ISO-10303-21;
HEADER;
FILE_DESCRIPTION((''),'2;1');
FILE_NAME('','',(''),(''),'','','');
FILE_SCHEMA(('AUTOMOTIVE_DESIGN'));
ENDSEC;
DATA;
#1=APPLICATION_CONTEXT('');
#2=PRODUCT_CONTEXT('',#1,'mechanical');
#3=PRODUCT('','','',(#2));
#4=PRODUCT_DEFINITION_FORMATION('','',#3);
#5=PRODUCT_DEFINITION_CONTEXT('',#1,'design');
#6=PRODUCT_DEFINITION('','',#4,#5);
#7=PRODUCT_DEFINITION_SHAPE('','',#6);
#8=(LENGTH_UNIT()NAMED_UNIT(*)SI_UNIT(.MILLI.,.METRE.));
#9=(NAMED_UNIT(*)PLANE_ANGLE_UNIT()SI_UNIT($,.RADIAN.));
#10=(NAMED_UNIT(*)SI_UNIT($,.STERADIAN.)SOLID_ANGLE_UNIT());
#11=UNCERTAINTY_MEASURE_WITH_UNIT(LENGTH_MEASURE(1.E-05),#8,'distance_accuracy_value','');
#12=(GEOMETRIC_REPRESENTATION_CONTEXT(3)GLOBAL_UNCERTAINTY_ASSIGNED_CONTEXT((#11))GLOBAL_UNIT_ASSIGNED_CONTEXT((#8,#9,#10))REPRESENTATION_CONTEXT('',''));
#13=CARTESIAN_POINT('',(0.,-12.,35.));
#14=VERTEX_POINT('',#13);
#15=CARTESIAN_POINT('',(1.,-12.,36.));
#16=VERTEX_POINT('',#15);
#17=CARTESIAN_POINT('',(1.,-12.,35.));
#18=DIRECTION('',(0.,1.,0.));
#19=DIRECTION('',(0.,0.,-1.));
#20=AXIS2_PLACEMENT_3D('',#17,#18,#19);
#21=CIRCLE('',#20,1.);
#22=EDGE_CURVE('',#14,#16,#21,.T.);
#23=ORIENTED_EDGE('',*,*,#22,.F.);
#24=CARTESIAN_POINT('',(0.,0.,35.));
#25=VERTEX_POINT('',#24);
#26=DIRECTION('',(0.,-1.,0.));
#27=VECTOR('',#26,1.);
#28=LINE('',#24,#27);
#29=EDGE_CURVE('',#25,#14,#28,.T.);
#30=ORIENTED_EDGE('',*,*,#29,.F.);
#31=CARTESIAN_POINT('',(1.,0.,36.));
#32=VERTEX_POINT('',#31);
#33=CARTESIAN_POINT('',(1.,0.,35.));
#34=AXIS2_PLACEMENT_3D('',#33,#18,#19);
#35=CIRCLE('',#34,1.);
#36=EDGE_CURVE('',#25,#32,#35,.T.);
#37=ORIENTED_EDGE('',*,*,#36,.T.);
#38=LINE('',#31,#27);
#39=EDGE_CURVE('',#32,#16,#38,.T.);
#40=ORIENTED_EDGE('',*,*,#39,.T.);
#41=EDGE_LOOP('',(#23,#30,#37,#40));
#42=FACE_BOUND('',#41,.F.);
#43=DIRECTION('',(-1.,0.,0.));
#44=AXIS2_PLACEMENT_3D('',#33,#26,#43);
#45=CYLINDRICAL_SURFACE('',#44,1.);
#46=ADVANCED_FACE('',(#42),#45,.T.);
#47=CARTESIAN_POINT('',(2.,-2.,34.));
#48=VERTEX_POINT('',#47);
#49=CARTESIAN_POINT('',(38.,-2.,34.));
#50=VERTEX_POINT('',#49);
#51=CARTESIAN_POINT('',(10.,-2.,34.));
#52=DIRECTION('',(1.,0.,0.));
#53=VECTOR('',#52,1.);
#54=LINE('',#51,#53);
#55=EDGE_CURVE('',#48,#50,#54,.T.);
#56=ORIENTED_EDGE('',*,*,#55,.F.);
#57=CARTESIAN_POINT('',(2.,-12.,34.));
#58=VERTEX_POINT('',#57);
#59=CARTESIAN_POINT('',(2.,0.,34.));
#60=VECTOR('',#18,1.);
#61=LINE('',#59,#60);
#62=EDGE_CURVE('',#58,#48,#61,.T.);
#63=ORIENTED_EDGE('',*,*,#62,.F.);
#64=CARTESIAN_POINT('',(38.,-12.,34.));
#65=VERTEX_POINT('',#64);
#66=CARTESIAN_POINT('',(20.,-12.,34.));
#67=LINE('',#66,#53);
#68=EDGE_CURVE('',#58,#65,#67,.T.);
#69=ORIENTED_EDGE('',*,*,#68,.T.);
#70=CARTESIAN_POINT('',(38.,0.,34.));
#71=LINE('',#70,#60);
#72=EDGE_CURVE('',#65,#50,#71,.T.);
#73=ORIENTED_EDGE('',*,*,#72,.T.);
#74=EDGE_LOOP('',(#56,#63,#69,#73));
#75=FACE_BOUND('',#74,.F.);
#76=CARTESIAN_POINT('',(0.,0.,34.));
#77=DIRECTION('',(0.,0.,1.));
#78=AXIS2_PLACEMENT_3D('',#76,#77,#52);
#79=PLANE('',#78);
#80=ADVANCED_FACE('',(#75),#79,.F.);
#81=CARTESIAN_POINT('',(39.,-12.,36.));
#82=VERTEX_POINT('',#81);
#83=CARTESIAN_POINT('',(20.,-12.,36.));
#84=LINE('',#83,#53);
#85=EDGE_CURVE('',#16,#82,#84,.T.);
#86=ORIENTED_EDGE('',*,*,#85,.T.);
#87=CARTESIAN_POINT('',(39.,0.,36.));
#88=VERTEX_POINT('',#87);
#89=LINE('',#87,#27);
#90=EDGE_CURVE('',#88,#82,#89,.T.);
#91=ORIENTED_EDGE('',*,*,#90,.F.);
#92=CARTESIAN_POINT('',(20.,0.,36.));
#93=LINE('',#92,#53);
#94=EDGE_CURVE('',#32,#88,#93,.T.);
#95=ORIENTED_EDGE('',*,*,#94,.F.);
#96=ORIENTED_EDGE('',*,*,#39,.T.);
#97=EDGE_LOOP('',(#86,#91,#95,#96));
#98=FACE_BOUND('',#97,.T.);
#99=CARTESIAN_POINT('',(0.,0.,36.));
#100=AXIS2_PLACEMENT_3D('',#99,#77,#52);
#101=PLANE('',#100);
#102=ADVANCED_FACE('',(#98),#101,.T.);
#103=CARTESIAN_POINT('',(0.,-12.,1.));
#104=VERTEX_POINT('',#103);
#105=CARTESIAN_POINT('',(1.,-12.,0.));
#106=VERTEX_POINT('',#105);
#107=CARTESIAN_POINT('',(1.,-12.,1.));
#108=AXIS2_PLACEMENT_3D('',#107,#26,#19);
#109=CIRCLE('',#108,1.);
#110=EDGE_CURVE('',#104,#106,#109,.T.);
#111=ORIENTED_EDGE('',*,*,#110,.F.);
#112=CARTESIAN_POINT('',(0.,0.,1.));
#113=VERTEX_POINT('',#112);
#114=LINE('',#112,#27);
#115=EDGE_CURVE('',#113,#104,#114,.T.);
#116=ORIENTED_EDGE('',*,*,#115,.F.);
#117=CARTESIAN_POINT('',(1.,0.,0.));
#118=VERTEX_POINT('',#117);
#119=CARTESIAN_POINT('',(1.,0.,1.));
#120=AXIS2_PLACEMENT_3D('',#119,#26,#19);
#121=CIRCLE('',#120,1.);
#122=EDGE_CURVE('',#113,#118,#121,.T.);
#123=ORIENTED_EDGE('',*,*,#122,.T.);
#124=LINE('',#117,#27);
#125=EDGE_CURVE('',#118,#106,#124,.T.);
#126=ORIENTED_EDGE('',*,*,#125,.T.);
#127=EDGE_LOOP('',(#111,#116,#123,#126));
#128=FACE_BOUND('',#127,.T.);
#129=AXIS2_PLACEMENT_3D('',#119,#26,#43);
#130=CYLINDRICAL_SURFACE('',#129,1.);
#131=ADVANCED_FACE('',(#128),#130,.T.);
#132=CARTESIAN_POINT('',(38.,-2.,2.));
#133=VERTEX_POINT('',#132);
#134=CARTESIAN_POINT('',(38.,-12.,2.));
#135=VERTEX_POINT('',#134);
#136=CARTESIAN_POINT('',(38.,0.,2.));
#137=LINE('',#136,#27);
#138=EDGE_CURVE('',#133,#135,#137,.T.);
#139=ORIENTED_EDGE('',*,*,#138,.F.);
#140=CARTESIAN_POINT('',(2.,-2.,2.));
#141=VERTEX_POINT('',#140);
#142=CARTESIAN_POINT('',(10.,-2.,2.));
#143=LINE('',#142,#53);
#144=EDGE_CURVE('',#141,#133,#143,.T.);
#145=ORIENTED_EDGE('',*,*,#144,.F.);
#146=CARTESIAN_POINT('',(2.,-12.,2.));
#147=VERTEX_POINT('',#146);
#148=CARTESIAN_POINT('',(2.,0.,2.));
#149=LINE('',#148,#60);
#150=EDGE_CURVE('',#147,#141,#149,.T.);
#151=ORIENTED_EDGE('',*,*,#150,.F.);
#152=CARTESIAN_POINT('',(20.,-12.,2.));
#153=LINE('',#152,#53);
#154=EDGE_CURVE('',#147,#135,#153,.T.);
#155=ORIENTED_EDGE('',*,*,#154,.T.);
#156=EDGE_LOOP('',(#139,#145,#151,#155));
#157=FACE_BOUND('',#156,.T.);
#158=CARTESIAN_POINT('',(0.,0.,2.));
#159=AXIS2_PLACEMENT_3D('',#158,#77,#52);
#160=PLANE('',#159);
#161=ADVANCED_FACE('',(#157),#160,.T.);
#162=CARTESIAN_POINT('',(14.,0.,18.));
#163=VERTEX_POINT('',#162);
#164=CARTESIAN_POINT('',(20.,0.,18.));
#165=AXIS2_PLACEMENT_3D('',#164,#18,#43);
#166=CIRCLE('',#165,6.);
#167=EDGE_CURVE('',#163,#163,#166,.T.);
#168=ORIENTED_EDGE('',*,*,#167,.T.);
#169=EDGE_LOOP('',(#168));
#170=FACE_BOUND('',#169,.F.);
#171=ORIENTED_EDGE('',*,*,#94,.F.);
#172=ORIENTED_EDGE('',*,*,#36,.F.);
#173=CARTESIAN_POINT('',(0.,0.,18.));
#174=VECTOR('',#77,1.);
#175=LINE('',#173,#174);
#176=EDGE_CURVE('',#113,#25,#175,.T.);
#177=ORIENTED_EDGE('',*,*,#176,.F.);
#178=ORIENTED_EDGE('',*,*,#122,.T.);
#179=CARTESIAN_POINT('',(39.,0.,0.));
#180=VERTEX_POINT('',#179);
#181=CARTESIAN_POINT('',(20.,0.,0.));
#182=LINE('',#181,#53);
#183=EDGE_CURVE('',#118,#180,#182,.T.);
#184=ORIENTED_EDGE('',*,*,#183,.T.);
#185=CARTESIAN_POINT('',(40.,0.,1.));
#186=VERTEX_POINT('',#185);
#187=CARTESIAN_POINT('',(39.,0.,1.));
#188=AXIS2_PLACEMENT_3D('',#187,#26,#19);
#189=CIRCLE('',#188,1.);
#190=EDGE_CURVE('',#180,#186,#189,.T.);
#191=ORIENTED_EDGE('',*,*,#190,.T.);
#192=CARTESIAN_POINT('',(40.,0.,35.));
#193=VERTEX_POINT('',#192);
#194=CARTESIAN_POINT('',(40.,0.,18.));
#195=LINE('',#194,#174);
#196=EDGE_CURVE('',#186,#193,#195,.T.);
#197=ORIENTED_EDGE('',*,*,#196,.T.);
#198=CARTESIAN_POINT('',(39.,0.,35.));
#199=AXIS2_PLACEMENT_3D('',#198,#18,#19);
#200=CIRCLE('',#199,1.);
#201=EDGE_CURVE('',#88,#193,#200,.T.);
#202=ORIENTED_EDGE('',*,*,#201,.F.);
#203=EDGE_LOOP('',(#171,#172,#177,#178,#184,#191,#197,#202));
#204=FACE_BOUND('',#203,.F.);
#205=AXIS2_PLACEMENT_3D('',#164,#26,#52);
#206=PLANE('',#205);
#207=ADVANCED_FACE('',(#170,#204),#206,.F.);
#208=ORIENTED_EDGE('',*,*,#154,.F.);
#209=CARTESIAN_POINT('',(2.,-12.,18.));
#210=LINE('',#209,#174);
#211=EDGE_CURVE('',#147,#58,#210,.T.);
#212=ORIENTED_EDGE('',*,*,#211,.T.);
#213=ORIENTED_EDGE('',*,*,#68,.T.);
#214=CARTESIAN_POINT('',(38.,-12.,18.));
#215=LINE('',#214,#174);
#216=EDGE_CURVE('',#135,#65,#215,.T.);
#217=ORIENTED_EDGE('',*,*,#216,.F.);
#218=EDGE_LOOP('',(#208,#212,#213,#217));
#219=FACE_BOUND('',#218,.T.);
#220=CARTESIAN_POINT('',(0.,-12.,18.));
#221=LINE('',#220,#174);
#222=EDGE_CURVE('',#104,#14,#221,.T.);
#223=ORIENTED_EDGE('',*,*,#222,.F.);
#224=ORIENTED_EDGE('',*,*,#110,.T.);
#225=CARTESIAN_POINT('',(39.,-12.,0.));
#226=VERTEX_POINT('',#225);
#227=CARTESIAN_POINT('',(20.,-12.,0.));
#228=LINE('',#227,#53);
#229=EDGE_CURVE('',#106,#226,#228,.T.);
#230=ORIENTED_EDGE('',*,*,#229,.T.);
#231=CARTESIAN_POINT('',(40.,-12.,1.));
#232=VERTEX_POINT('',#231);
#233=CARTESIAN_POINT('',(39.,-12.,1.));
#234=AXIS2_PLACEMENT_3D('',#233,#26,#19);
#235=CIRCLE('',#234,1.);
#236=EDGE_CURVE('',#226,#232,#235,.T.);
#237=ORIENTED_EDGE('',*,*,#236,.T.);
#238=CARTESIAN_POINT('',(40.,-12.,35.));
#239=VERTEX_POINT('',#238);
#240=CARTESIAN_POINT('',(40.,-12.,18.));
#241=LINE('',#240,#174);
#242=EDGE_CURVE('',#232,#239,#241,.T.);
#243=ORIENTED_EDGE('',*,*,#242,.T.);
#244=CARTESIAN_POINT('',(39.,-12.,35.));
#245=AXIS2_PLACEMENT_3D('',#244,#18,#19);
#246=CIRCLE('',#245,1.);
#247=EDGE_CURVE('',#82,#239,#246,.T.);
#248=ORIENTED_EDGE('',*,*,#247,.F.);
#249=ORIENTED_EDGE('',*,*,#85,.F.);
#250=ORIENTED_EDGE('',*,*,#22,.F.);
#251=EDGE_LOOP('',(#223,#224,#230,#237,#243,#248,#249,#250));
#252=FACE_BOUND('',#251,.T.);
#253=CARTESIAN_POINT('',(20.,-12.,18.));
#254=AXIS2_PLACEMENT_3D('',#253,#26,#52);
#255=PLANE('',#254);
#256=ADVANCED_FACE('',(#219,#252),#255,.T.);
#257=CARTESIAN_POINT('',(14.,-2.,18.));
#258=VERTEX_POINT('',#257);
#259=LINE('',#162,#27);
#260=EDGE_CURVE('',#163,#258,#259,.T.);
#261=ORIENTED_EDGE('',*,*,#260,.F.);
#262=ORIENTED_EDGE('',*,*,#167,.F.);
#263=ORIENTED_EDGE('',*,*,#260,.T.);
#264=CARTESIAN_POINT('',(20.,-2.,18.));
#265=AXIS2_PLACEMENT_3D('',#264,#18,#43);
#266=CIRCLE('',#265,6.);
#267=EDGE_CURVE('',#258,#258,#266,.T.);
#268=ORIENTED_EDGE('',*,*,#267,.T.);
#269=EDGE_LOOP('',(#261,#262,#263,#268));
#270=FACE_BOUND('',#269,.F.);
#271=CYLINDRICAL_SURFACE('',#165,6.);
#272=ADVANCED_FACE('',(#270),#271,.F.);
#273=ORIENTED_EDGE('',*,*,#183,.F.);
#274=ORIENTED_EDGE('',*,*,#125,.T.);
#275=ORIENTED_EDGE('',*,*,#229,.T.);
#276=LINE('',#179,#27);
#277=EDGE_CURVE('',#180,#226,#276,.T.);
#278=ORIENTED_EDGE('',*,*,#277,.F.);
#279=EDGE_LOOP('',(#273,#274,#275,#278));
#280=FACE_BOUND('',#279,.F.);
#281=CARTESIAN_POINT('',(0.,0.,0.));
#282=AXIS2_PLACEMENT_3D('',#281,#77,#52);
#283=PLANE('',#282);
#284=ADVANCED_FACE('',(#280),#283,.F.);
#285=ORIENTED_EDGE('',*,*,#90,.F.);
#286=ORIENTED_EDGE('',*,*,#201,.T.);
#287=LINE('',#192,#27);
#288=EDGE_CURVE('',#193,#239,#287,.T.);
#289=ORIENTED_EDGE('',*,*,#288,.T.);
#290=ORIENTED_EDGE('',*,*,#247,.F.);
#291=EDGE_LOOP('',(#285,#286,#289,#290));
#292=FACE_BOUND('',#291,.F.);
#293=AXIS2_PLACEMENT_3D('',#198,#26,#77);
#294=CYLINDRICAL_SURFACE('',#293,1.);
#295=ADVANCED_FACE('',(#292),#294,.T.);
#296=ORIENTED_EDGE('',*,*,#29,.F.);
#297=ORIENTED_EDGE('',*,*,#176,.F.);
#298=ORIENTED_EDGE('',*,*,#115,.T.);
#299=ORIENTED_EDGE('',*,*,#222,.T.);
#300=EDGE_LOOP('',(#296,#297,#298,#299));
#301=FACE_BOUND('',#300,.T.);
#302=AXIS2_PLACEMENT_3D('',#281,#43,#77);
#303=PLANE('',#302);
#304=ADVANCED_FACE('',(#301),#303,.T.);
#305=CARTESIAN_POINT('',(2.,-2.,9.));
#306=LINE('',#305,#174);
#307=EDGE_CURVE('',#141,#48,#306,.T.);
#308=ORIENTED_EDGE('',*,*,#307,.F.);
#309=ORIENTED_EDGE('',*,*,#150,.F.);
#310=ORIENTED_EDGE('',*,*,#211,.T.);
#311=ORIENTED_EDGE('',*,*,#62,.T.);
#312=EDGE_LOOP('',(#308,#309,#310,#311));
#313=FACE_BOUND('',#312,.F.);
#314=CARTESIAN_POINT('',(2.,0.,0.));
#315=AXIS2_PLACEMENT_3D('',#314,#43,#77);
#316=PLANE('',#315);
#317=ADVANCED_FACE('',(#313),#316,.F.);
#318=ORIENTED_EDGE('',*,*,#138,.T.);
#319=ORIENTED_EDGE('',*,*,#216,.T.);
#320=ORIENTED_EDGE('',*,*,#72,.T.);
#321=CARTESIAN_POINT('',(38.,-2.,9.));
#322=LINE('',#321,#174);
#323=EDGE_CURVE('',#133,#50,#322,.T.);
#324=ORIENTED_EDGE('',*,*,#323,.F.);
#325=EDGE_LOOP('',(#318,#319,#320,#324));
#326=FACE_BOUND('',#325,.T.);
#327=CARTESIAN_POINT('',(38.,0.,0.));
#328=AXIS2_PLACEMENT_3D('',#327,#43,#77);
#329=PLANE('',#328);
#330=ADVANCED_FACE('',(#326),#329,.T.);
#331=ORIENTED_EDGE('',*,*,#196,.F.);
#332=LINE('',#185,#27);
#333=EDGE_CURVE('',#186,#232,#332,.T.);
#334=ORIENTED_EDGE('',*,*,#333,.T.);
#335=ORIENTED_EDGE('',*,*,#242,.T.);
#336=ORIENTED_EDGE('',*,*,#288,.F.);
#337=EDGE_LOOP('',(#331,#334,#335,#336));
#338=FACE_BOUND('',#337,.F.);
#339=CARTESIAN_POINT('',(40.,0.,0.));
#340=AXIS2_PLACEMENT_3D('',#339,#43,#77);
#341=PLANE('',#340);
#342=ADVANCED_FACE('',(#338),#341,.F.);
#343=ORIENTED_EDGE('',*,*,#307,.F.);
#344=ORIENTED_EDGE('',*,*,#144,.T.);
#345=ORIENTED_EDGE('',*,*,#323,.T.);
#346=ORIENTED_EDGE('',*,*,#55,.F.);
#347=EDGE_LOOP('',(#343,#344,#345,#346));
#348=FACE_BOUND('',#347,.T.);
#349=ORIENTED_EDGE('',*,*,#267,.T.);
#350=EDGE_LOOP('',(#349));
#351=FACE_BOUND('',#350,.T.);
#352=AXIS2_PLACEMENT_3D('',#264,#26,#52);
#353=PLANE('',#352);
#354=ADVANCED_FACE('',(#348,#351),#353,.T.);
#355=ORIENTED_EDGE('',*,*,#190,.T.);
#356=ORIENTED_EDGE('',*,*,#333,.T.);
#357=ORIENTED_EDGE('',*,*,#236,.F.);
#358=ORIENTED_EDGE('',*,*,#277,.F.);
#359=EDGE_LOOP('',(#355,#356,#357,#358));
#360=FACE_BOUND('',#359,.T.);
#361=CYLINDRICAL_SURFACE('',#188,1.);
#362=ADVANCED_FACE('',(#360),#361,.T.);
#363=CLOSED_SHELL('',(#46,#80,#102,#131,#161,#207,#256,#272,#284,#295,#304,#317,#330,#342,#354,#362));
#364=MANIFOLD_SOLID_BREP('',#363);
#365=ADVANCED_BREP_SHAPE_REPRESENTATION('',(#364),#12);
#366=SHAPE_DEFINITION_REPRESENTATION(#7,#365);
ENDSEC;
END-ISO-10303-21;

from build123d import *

# Parameters (mm, degrees)
F0_W     = 40
F0_H     = 36
F1_DEPTH = 12
F2_T     = -2
F3_R     = 6
F4_DEPTH = 25
F5_R     = 1


with BuildPart() as f1:
    # F0 (on Front) → F1 (new body)
    with BuildSketch(Plane.XZ):
        with Locations((20, 18)):
            Rectangle(F0_W, F0_H)
    extrude(amount=F1_DEPTH)

    # F2
    f2_openings = [f1.faces().sort_by_distance(p)[0] for p in [
        (20, -12, 18),
    ]]
    offset(amount=F2_T, openings=f2_openings)

    # F3 (on face) → F4 (cut)
    with BuildSketch(Plane(origin=(0, 0, 0), x_dir=(-1, 0, 0), z_dir=(0, 1, 0))):
        with Locations((-20, 18)):
            Circle(F3_R)
    extrude(amount=-F4_DEPTH, mode=Mode.SUBTRACT)

    # F5
    f5_edges = [f1.edges().sort_by_distance(p)[0] for p in [
        (40, -6, 0),
        (40, -6, 36),
        (0, -6, 0),
        (0, -6, 36),
    ]]
    fillet(f5_edges, radius=F5_R)


solid = f1.part
